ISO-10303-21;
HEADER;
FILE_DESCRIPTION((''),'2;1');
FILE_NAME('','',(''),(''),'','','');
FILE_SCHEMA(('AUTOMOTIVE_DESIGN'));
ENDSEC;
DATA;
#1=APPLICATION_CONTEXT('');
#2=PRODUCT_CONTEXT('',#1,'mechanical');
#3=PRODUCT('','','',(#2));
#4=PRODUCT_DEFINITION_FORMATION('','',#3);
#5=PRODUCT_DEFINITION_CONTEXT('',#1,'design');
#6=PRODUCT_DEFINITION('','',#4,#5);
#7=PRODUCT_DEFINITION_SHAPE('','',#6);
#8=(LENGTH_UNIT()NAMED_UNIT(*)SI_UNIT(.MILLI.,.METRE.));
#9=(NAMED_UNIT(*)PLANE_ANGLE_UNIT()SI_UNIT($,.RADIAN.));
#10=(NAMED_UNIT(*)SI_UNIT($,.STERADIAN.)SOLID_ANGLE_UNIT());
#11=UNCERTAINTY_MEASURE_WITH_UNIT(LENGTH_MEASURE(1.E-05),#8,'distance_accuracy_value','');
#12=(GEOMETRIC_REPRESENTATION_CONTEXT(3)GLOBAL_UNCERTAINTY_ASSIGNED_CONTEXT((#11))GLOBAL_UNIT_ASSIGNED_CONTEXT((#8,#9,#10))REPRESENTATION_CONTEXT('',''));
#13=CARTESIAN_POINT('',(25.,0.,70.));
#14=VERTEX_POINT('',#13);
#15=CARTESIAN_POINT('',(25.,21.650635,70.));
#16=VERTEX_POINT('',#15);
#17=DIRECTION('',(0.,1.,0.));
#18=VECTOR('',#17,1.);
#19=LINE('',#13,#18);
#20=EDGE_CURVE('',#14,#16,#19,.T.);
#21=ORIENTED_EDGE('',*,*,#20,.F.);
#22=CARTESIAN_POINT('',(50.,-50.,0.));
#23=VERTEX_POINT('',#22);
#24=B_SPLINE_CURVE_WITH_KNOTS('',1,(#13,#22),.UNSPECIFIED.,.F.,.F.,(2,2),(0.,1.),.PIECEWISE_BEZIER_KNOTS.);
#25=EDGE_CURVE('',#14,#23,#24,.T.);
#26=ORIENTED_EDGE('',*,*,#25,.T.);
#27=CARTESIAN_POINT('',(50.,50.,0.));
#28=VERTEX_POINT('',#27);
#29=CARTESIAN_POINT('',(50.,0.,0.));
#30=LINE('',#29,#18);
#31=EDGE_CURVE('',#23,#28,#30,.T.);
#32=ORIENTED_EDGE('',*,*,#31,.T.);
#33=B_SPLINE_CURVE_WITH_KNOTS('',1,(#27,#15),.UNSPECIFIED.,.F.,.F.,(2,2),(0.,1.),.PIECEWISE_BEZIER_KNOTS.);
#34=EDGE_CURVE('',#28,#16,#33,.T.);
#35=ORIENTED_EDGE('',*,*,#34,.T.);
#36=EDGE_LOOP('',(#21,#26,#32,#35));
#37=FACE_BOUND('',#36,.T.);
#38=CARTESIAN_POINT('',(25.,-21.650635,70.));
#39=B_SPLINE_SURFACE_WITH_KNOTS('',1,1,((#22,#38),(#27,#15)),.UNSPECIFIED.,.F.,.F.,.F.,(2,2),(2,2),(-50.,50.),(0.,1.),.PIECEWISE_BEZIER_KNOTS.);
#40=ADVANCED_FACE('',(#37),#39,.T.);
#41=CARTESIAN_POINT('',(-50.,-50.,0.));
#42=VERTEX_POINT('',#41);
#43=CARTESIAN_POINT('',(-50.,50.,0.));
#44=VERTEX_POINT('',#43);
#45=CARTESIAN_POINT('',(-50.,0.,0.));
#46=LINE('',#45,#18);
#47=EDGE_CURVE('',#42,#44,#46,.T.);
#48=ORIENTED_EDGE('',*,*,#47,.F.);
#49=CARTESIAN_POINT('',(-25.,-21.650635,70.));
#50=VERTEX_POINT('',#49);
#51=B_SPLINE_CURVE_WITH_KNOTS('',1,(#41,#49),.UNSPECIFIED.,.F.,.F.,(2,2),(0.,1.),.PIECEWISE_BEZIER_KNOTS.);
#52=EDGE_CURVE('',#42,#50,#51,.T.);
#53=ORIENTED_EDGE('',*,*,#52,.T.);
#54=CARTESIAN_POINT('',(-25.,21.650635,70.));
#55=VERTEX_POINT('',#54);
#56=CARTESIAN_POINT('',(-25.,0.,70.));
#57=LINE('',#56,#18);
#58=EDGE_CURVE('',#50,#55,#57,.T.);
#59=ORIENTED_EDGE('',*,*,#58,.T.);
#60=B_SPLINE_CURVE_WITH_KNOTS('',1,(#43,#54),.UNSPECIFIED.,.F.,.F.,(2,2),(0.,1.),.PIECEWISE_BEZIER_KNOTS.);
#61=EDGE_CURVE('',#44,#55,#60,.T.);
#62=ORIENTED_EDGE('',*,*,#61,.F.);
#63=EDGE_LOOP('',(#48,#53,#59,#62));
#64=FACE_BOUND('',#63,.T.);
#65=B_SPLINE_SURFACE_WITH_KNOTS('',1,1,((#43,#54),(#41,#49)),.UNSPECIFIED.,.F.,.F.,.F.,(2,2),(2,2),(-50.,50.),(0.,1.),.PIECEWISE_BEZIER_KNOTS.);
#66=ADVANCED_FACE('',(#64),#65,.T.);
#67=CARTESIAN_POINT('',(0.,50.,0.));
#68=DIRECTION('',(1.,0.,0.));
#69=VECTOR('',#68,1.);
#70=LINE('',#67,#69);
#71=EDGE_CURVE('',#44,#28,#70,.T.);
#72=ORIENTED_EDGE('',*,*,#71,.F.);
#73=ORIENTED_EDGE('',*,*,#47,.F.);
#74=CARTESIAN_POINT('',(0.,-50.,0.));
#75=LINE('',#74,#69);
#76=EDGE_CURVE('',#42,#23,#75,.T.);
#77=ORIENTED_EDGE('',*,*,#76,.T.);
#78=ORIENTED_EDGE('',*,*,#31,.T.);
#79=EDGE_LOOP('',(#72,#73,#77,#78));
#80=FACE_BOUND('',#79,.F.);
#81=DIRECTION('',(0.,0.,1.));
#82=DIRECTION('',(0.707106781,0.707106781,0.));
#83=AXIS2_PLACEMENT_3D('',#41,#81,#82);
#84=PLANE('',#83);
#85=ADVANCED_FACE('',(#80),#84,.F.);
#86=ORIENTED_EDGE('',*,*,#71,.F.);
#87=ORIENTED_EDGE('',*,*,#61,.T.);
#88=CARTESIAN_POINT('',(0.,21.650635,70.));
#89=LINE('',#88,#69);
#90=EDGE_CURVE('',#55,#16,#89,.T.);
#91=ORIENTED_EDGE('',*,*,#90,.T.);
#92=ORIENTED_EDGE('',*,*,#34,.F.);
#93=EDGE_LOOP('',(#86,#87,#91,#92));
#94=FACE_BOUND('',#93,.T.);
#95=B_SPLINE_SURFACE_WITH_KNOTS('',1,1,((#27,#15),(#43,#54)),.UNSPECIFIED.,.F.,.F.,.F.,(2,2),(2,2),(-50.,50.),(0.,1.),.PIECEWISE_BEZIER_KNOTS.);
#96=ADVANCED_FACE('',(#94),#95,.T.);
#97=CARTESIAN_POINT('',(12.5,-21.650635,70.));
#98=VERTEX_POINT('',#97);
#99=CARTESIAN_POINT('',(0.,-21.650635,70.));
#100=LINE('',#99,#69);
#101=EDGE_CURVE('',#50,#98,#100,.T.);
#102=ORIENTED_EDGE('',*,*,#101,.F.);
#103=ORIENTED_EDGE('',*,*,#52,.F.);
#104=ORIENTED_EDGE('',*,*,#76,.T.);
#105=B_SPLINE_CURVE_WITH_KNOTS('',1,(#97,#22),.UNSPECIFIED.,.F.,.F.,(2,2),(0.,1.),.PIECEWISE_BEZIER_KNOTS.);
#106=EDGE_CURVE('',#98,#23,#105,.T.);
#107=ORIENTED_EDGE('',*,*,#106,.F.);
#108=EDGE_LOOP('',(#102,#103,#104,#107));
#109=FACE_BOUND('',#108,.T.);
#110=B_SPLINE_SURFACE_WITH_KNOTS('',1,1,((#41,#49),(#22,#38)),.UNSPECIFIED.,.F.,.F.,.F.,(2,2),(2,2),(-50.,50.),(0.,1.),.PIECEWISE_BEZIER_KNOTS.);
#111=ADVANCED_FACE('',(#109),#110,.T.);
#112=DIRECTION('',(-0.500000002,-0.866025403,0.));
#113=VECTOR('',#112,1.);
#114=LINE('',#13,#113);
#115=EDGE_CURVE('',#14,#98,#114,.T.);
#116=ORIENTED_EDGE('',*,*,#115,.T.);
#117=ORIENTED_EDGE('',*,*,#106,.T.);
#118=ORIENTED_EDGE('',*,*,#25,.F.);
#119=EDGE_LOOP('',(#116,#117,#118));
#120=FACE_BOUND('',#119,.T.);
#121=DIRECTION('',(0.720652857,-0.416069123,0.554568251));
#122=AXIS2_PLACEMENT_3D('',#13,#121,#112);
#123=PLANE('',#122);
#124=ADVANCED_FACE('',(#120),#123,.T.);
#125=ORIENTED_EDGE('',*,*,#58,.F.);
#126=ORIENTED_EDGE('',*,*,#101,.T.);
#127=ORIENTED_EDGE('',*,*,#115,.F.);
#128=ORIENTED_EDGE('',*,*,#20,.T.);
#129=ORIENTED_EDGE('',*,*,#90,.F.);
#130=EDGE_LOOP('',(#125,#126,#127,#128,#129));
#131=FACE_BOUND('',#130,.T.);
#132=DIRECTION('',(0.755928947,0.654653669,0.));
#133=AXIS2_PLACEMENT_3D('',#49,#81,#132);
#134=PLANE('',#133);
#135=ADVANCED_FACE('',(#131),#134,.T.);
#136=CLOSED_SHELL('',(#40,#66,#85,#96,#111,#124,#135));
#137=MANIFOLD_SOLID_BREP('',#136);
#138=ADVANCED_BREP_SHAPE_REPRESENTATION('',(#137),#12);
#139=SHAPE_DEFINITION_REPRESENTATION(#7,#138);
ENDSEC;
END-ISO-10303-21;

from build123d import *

# Parameters (mm, degrees)
F1_W = 100
F1_H = 100
F3_W = 50
F3_H = 43.30127


with BuildPart() as f4:
    # F1 (on Top) → F4 section 0
    with BuildSketch(Plane.XY):
        Rectangle(F1_W, F1_H)
    # F3 (on offset) → F4 section 1
    with BuildSketch(Plane.XY.offset(70)):
        Rectangle(F3_W, F3_H)
    loft()

    # F5 (on offset) → F6 section 0
    with BuildSketch(Plane.XY.offset(70), mode=Mode.PRIVATE) as f6_s0:
        Polygon((25, -21.650635), (25, 0), (12.5, -21.650635), align=None)
    loft([f6_s0.sketch, Vertex(50, -50, 0)], mode=Mode.SUBTRACT)


solid = f4.part
